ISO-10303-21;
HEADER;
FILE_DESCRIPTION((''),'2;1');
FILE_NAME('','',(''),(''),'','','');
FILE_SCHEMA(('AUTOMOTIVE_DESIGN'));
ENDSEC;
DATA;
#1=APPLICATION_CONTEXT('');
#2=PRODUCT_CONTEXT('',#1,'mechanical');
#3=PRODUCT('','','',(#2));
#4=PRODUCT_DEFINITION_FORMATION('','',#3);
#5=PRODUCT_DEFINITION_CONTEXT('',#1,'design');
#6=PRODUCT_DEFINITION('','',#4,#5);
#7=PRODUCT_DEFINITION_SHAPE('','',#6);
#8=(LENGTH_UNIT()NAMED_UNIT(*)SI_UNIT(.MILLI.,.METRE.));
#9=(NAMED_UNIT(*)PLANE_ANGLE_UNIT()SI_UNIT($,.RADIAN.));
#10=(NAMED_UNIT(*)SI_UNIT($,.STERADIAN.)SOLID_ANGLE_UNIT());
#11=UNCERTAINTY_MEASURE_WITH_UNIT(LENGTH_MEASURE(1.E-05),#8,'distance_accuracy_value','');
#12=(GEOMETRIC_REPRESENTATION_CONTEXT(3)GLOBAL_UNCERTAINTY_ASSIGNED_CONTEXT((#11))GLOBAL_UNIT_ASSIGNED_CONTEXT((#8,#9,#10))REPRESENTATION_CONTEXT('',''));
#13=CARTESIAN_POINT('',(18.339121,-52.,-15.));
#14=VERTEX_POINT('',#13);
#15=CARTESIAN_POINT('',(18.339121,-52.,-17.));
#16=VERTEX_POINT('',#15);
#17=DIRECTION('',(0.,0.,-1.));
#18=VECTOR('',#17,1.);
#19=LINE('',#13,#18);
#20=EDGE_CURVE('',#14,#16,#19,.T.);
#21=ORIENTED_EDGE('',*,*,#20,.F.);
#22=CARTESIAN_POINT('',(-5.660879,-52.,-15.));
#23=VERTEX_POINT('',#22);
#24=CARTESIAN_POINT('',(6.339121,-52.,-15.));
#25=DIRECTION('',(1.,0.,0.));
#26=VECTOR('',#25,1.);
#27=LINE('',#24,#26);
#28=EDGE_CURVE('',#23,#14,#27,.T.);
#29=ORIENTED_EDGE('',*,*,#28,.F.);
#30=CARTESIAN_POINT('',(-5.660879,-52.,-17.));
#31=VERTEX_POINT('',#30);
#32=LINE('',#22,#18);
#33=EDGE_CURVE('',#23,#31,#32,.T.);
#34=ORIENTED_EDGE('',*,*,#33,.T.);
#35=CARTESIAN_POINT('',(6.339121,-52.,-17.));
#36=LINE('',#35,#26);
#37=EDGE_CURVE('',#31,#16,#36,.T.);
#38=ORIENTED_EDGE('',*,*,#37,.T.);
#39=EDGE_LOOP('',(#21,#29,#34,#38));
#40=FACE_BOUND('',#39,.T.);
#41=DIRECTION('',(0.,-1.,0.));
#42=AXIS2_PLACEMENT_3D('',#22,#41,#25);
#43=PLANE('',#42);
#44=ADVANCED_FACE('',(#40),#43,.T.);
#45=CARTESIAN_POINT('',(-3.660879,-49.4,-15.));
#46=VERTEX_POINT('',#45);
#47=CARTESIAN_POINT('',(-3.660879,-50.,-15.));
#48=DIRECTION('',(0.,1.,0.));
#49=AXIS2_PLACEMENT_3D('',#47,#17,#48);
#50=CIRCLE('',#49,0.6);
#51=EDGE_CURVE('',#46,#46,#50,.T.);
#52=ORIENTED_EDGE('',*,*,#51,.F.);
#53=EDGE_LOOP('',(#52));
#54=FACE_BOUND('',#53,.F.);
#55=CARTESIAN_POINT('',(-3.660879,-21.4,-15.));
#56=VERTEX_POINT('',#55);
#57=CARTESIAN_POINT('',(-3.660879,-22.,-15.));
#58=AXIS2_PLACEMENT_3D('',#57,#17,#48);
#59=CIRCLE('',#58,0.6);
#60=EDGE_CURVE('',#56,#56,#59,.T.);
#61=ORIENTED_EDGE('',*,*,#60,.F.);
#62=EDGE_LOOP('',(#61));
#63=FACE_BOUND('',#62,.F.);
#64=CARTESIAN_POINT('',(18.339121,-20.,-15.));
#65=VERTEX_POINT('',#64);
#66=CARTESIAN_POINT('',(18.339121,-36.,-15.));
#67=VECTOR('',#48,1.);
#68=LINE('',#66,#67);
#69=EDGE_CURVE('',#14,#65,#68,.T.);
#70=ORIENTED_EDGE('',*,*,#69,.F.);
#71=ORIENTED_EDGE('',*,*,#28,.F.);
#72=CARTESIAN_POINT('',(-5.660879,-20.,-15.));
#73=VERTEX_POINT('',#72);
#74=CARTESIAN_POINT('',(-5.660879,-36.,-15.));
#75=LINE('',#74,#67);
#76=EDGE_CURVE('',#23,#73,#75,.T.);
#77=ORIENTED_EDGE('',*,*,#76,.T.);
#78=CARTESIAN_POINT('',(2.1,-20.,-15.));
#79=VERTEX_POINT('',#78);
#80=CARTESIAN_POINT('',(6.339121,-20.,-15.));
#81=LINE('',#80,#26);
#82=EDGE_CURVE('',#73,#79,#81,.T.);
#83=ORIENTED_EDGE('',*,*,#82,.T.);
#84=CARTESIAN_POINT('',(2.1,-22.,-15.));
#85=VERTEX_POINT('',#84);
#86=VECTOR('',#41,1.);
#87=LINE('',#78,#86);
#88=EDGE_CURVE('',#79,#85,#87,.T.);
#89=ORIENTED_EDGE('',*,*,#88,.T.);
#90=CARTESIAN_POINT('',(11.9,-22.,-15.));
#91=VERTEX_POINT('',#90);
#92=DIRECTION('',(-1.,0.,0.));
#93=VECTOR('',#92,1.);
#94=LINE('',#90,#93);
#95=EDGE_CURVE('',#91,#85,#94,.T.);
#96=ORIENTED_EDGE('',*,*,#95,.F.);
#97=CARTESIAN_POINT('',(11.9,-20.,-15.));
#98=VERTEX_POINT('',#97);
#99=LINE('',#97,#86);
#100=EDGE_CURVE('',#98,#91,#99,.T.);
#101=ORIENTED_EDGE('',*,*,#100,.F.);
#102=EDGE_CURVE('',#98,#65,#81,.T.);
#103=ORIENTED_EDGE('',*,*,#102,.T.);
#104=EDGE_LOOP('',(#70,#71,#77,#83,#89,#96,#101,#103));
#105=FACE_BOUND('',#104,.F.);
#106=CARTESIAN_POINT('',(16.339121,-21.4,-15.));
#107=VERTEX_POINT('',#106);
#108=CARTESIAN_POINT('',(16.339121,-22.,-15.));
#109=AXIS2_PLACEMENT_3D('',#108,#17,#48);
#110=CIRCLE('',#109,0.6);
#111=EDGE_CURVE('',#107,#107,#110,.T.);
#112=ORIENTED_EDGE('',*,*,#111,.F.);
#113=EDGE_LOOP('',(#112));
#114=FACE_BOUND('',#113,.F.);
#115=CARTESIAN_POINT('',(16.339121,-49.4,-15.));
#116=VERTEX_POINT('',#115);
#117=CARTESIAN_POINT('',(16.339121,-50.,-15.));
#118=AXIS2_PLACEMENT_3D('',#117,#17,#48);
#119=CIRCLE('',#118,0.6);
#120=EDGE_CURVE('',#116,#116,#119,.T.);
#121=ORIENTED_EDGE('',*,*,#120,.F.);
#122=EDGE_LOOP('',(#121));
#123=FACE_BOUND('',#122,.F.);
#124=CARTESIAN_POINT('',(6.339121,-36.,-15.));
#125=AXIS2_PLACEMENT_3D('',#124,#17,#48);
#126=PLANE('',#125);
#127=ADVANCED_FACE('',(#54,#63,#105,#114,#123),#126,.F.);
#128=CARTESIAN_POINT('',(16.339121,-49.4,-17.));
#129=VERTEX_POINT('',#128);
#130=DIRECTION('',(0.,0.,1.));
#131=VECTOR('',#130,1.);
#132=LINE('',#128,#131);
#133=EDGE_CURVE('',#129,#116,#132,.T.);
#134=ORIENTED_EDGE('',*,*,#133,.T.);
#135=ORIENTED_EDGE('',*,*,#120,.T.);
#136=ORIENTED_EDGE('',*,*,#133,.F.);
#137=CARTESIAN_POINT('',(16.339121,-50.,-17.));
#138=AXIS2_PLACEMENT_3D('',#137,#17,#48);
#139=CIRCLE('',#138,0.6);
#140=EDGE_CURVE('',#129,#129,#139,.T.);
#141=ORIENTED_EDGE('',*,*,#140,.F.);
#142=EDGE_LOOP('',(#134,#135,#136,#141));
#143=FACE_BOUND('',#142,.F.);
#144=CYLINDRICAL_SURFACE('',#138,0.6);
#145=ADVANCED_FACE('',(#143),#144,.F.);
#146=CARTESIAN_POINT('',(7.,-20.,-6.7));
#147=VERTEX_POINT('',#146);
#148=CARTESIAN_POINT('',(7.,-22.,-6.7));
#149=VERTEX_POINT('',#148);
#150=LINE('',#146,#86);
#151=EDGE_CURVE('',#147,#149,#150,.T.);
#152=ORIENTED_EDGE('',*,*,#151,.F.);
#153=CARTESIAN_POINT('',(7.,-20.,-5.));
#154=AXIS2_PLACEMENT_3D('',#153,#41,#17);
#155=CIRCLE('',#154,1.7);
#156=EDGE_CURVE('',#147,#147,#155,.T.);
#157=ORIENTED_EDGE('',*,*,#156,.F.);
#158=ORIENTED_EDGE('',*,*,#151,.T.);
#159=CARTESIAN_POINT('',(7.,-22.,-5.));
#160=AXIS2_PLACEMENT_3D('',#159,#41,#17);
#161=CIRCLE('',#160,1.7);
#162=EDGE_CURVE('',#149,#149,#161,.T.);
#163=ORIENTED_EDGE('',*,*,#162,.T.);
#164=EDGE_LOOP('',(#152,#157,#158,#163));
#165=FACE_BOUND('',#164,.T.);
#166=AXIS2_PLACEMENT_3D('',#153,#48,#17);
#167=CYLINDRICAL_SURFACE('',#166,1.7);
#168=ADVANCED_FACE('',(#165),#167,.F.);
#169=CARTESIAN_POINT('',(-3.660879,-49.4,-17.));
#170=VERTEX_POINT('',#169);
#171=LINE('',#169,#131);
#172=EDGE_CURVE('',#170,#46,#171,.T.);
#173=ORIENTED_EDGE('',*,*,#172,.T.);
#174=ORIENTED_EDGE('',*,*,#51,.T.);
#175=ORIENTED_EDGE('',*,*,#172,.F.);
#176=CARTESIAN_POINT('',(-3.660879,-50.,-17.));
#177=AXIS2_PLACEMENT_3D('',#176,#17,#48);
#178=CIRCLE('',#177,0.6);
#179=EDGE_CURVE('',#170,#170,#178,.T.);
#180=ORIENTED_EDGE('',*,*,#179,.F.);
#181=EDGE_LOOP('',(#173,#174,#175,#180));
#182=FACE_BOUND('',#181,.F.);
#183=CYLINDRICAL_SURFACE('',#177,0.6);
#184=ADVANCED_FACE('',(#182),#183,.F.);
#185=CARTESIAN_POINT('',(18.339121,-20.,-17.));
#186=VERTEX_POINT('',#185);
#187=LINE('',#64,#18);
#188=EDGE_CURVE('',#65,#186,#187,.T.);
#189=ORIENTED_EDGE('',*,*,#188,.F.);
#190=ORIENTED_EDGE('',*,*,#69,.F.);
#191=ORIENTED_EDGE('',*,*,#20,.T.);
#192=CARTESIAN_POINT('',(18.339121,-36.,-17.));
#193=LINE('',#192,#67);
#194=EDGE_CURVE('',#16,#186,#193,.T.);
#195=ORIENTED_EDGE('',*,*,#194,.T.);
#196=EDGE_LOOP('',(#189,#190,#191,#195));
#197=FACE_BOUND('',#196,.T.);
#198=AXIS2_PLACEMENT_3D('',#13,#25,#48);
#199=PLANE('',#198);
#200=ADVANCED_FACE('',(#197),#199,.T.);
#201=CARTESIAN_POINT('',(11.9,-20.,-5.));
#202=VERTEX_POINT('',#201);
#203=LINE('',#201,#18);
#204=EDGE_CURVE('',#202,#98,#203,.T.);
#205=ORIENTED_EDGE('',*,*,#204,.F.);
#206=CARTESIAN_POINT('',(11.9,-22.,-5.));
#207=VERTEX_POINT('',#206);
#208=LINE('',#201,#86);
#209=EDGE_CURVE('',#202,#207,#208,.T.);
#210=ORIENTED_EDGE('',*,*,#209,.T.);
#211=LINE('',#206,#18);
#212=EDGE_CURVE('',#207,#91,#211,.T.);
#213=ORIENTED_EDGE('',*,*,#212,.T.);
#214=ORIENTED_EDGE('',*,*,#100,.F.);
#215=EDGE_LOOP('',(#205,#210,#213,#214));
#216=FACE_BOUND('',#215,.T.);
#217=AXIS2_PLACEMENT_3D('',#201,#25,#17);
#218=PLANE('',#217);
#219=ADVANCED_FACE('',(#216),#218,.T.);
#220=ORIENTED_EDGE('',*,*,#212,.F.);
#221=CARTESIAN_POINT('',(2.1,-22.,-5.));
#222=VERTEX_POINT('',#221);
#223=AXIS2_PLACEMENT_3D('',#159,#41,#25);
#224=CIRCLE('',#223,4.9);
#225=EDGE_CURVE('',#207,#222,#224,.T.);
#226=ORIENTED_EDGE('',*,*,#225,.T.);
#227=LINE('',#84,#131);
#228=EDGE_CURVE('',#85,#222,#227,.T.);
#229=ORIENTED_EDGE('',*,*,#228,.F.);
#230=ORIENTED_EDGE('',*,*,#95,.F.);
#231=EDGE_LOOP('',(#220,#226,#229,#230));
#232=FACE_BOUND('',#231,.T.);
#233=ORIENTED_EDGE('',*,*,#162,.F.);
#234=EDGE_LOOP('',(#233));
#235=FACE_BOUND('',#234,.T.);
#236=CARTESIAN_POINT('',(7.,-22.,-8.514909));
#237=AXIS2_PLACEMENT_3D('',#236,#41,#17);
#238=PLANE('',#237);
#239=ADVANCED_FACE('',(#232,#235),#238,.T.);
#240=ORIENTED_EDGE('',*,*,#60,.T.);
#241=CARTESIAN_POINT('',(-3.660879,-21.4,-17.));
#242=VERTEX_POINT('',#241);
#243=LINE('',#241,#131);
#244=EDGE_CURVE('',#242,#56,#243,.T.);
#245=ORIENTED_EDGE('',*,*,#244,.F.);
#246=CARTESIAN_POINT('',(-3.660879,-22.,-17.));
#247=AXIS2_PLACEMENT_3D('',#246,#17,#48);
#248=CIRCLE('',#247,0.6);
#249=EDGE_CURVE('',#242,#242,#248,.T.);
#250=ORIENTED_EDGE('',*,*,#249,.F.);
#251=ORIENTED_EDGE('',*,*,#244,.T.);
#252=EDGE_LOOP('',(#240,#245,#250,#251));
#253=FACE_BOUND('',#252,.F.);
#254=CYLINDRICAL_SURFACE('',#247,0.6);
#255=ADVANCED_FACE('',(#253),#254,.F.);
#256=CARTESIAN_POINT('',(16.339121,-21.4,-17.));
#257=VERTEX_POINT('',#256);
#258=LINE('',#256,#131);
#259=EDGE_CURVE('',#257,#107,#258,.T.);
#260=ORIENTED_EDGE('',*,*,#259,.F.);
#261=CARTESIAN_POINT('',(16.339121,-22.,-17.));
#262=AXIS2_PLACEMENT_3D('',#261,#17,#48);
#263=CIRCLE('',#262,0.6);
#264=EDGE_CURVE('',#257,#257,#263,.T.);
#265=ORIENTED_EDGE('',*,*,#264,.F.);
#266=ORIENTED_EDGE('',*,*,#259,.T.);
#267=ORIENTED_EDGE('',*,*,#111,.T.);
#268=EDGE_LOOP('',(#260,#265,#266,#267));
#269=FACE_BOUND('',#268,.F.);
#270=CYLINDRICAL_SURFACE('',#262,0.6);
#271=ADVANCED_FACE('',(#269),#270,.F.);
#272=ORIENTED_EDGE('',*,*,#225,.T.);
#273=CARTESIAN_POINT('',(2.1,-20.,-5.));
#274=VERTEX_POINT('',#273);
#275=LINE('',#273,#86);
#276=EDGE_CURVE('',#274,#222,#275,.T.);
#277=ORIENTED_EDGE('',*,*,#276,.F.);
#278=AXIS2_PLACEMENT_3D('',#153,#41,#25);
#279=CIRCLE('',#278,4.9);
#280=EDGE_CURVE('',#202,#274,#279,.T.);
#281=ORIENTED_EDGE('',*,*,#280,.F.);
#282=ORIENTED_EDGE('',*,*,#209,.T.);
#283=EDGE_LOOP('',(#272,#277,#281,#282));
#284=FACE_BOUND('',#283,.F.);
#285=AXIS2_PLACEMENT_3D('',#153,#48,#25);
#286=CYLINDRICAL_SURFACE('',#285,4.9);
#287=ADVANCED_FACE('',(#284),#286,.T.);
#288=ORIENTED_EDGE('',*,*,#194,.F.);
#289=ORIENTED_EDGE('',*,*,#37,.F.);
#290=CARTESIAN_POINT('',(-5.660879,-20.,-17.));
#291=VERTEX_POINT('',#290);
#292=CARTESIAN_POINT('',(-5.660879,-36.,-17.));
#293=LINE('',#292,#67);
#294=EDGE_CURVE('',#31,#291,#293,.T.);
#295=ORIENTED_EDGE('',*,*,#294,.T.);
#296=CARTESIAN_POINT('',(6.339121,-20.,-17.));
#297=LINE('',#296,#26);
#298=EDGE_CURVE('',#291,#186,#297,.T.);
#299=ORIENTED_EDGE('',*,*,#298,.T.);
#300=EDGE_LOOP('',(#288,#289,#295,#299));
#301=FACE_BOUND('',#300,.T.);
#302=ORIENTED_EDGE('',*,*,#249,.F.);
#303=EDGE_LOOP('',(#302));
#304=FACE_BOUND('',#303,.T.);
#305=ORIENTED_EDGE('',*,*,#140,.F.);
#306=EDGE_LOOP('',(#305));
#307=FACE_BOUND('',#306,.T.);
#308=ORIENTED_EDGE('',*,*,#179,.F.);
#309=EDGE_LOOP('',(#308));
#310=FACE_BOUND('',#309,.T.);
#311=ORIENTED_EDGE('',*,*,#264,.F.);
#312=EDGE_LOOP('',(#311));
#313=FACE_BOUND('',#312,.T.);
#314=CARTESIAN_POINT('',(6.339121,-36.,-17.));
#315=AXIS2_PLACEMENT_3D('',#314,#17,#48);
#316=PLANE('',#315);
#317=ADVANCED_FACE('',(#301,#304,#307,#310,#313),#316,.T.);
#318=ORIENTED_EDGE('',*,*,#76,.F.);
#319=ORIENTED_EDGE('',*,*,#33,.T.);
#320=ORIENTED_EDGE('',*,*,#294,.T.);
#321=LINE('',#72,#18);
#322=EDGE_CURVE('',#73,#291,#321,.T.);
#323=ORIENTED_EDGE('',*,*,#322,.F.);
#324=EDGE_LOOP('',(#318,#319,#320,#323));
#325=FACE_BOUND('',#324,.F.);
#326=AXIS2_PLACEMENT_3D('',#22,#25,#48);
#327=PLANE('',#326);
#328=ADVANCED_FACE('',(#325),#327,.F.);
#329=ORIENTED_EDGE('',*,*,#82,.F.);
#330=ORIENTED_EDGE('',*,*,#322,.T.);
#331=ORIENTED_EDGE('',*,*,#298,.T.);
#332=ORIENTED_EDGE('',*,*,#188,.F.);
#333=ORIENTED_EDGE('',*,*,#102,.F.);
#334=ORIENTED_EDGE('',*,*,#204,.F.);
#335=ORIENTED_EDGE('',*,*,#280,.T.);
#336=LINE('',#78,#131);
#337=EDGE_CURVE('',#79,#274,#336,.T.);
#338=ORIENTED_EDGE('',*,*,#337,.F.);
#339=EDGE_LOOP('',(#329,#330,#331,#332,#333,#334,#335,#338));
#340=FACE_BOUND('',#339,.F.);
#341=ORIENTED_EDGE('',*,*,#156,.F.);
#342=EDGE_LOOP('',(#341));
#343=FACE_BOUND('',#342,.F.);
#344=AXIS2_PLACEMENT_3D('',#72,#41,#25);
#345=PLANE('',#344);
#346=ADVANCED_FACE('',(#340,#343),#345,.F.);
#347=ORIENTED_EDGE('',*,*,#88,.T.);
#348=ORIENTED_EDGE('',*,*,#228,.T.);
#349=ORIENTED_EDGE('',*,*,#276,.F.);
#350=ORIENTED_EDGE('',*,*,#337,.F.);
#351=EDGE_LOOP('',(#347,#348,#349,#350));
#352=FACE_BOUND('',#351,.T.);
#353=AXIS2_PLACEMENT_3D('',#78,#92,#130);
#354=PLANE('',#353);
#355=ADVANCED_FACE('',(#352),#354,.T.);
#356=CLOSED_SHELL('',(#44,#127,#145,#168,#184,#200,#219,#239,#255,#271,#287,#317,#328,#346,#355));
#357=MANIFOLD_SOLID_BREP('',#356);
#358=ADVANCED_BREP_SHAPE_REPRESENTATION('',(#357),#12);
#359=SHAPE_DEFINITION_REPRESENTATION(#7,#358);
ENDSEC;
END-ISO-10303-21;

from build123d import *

# Parameters (mm, degrees)
SKETCH007_R   = 1.7
PAD004_DEPTH  = 2
SKETCH009_W   = 32
SKETCH009_H   = 24
PAD005_DEPTH  = 2
SKETCH010_R   = 0.6
HOLE001_DEPTH = 25


with BuildPart() as part:
    # Sketch007 (on Face8 of ShapeBinder001) → Pad004 (new body)
    with BuildSketch(Plane(origin=(2, -20, 0), x_dir=(0, 0, -1), z_dir=(0, -1, 0))):
        with BuildLine():
            ThreePointArc((5, 9.9), (0.1, 5), (5, 0.1))
            Line((15, 0.1), (5, 0.1))
            Line((15, 9.9), (15, 0.1))
            Line((5, 9.9), (15, 9.9))
        make_face()
        with Locations((5, 5)):
            Circle(SKETCH007_R, mode=Mode.SUBTRACT)
    extrude(amount=PAD004_DEPTH)

    # Sketch009 (on Face4 of Pad004) → Pad005 (join)
    with BuildSketch(Plane(origin=(2, 0, -15), x_dir=(0, 1, 0), z_dir=(0, 0, -1))):
        with Locations((-36, 4.339121)):
            Rectangle(SKETCH009_W, SKETCH009_H)
    extrude(amount=PAD005_DEPTH)

    # Sketch010 (on Face10 of Pad005) → Hole001 (cut)
    with BuildSketch(Plane(origin=(2, 0, -17), x_dir=(0, 1, 0), z_dir=(0, 0, -1))):
        with Locations((-50, 14.339121)):
            Circle(SKETCH010_R)
        with Locations((-22, 14.339121)):
            Circle(SKETCH010_R)
        with Locations((-22, -5.660879)):
            Circle(SKETCH010_R)
        with Locations((-50, -5.660879)):
            Circle(SKETCH010_R)
    extrude(amount=-HOLE001_DEPTH, mode=Mode.SUBTRACT)


solid = part.part
